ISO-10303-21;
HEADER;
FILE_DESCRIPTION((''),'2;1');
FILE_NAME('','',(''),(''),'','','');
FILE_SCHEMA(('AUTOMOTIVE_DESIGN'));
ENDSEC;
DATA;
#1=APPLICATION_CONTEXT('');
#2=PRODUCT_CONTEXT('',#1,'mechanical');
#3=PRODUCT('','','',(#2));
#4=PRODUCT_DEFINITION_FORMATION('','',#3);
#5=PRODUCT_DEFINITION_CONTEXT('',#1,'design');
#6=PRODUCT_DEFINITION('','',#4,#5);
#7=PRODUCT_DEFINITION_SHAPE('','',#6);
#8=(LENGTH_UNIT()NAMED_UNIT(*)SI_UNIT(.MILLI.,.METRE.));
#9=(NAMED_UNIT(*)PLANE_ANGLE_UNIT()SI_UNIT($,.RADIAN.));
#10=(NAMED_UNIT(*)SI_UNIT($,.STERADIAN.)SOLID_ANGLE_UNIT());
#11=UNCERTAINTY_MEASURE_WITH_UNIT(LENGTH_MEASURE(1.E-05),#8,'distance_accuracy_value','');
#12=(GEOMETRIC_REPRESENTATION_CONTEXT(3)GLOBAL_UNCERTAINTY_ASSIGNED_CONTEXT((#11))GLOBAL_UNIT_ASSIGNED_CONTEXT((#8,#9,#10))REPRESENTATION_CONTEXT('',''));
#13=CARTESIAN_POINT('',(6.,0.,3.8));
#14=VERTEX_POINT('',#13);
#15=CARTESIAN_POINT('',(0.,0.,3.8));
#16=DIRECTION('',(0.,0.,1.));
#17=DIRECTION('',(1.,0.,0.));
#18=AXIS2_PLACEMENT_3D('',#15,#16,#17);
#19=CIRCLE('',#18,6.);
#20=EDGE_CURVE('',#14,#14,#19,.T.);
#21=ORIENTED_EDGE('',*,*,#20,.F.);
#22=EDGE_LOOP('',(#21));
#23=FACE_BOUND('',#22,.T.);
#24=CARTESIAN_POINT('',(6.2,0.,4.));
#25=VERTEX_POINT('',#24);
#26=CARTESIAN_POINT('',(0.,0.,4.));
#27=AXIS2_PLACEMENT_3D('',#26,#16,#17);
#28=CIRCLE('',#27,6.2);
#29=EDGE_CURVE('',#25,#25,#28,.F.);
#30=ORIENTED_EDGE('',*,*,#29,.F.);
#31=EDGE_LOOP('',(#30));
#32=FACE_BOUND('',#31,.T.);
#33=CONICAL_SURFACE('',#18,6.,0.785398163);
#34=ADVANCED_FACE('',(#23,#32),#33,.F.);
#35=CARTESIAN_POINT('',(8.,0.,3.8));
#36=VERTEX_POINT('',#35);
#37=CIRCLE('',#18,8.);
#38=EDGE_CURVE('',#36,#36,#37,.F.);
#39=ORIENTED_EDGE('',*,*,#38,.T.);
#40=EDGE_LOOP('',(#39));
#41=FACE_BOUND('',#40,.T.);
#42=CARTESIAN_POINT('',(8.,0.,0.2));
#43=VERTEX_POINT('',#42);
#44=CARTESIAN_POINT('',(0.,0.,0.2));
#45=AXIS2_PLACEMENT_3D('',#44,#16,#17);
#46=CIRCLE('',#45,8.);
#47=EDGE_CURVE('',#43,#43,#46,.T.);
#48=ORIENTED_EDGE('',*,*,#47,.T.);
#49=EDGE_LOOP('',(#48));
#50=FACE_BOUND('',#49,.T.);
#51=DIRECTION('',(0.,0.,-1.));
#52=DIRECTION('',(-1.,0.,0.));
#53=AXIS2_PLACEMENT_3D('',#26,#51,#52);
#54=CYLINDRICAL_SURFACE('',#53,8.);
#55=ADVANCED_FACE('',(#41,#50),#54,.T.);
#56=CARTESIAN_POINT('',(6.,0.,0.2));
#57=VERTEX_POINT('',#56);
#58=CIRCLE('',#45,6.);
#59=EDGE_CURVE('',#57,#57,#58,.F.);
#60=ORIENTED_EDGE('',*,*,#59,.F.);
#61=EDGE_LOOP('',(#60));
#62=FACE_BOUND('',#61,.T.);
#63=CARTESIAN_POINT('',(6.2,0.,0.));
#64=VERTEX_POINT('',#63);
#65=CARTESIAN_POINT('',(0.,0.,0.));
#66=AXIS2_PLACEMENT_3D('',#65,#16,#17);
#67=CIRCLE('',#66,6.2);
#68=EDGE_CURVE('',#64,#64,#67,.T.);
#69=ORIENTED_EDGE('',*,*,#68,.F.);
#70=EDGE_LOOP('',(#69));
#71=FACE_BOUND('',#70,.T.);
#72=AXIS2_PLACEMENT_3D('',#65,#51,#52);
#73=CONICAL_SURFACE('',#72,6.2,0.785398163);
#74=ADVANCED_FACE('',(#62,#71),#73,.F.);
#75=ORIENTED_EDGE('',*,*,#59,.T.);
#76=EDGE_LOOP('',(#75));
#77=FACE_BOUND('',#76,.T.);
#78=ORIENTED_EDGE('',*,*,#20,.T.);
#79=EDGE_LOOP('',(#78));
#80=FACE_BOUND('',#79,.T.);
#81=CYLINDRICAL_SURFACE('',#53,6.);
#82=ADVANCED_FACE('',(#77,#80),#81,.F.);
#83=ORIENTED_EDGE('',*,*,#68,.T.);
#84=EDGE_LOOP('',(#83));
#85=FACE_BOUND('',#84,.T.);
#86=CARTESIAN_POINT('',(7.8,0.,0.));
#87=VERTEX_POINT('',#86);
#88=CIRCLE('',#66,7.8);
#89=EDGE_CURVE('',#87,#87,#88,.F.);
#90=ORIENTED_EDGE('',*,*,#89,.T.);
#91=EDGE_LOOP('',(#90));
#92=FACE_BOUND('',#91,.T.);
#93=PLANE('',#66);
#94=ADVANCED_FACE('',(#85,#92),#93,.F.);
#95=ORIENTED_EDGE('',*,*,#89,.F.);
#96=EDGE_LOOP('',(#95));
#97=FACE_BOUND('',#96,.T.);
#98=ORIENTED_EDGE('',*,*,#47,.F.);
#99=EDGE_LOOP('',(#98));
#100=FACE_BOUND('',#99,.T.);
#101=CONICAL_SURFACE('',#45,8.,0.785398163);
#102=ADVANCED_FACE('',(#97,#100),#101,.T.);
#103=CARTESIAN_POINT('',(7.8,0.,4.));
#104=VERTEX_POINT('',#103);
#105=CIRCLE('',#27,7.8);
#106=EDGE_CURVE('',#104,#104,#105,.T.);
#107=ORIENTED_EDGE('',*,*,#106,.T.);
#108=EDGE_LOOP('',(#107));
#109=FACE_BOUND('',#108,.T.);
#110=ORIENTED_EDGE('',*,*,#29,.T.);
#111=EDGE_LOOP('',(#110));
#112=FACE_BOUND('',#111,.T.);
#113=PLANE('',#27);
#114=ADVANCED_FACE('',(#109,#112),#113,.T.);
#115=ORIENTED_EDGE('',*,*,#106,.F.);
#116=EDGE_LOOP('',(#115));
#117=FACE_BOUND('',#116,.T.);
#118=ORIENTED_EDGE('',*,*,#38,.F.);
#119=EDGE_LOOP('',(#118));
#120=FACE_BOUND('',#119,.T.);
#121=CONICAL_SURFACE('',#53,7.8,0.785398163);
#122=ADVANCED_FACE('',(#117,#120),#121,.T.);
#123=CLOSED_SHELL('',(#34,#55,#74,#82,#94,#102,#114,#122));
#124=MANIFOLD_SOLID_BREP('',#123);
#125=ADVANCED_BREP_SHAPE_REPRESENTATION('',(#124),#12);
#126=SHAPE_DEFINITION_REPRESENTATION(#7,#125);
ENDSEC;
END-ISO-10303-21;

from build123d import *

# Parameters (mm, degrees)
ESQUISSE1_R        = 8
ESQUISSE1_R_2      = 6
BOSS_EXTRU_1_DEPTH = 4
CHANFREIN1_SIZE    = 0.2


with BuildPart() as part:
    # Esquisse1 → Boss.-Extru.1 (new body)
    with BuildSketch(Plane.XY):
        Circle(ESQUISSE1_R)
        Circle(ESQUISSE1_R_2, mode=Mode.SUBTRACT)
    extrude(amount=BOSS_EXTRU_1_DEPTH)

    # Chanfrein1
    chanfrein1_edges = [part.edges().sort_by_distance(p)[0] for p in [
        (-8, 0, 0),
        (-8, 0, 4),
        (-6, 0, 0),
        (-6, 0, 4),
    ]]
    chamfer(chanfrein1_edges, length=CHANFREIN1_SIZE)


solid = part.part
